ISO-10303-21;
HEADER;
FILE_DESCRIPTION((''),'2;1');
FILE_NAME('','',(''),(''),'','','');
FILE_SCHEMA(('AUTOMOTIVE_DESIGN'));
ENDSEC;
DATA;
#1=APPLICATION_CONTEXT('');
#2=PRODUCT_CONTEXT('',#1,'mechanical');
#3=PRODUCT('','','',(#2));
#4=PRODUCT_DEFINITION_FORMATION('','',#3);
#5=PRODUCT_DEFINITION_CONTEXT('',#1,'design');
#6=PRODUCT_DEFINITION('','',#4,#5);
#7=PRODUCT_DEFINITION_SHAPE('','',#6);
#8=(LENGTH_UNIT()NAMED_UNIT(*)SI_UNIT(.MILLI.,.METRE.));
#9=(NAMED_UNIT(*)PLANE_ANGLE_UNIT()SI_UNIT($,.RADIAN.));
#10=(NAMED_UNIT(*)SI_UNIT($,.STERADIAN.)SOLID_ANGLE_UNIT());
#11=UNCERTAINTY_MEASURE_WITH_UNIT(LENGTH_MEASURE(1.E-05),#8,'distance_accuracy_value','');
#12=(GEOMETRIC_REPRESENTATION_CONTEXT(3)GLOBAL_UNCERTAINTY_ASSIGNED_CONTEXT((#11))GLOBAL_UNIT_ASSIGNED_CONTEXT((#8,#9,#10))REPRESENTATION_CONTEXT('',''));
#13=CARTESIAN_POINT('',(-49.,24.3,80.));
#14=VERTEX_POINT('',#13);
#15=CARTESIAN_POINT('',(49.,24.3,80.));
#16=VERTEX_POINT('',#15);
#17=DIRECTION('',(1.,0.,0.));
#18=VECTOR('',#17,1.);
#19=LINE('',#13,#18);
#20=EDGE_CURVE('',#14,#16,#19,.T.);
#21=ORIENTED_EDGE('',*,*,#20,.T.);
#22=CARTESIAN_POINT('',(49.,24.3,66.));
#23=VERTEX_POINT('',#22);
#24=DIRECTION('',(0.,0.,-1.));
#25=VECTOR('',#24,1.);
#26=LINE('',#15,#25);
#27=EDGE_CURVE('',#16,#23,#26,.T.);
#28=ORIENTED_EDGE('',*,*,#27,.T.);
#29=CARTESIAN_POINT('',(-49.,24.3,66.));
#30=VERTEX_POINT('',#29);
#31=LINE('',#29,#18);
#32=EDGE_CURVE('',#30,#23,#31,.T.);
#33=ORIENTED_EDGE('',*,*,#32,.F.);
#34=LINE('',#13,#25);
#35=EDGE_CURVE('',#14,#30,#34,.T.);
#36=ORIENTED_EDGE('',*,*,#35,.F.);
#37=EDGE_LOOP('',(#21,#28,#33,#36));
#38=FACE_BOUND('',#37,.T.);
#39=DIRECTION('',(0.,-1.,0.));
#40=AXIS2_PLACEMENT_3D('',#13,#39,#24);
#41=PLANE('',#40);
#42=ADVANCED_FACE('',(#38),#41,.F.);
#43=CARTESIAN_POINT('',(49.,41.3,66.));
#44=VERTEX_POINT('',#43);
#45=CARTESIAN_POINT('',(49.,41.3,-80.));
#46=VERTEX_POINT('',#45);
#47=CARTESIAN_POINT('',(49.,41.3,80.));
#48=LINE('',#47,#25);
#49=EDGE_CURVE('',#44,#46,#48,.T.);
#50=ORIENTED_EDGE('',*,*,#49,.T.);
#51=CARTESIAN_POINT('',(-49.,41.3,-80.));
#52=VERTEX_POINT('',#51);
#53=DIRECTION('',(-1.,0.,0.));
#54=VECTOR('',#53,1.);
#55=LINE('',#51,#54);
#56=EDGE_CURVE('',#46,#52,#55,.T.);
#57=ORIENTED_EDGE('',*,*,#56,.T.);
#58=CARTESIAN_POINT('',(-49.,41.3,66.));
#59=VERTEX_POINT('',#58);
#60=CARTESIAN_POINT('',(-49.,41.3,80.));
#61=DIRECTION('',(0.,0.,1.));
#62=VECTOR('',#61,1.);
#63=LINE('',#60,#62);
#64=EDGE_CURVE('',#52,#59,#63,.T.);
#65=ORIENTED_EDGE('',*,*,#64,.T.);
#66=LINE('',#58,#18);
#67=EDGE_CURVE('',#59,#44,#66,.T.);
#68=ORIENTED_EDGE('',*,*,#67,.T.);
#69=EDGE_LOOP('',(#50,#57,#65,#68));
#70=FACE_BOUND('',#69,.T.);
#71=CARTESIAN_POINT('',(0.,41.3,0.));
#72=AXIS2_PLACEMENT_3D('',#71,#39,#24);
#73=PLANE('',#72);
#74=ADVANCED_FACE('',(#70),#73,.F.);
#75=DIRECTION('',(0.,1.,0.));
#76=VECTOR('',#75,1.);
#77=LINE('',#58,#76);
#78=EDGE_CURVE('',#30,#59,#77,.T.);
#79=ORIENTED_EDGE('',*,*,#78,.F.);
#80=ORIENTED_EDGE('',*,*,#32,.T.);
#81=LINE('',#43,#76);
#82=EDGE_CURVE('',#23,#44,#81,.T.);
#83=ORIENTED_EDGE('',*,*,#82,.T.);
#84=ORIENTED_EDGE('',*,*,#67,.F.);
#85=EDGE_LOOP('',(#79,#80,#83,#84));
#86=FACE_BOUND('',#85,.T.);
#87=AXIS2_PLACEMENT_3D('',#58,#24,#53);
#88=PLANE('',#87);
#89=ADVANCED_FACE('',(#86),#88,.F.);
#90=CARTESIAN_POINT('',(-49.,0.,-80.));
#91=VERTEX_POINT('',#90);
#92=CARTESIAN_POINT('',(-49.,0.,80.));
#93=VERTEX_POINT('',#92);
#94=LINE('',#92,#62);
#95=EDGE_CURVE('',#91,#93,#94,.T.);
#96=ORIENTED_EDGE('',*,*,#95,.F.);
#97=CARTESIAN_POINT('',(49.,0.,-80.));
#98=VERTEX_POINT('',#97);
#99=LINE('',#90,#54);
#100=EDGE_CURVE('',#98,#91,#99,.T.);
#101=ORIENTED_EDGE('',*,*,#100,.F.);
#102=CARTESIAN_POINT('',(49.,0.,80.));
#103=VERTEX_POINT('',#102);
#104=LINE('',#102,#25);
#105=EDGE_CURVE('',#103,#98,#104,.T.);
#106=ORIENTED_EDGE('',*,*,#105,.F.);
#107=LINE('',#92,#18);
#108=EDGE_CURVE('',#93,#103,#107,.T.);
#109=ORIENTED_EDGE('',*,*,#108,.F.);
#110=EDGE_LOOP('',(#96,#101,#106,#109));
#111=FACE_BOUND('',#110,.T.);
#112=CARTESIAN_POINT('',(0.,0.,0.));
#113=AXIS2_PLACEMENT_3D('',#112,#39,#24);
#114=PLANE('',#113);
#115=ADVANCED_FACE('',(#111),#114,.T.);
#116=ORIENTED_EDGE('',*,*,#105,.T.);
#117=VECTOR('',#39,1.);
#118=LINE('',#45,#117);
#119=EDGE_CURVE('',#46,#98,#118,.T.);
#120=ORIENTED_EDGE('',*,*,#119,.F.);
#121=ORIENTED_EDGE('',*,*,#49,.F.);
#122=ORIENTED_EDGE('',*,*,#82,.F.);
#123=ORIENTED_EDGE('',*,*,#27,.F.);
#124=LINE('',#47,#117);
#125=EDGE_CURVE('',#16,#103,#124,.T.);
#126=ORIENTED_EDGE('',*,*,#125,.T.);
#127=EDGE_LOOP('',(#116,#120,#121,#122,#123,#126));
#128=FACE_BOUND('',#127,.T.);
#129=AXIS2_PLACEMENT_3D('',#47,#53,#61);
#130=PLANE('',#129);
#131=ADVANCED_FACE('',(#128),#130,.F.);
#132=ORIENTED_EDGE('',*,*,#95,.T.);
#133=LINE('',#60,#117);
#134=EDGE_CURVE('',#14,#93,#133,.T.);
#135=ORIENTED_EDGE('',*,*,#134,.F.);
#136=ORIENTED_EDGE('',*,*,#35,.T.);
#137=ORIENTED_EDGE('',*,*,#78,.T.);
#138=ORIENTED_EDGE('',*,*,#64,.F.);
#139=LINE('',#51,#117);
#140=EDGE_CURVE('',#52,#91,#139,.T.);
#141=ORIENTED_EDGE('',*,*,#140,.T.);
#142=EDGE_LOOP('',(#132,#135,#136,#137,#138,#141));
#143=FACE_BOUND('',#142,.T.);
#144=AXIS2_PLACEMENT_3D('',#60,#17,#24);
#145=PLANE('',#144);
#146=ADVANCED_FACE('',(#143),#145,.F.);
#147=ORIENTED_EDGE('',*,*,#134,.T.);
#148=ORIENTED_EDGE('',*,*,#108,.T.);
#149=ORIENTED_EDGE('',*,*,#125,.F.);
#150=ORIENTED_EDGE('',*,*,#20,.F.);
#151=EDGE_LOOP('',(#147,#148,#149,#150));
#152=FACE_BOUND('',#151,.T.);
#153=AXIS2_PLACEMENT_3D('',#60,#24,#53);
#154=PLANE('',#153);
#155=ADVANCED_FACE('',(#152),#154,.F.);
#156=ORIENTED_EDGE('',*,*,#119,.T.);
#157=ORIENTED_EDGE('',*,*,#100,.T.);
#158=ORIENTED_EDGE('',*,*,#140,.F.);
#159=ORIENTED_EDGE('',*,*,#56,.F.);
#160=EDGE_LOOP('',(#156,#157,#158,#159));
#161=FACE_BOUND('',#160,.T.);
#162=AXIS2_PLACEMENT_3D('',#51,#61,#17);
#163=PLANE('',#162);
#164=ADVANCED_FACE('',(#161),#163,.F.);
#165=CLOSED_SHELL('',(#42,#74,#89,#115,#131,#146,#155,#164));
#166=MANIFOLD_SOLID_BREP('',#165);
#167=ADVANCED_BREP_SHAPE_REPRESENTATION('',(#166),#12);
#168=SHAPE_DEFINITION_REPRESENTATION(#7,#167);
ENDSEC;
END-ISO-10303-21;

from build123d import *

# Parameters (mm, degrees)
ESBO_O1_W                = 98
ESBO_O1_H                = 160
RESSALTO_EXTRUS_O1_DEPTH = 41.3
ESBO_O2_W                = 14
ESBO_O2_H                = 17
CORTE_EXTRUS_O1_DEPTH    = 134.077759224


with BuildPart() as part:
    # Esboço1 → Ressalto-extrusão1 (new body)
    with BuildSketch(Plane(origin=(0, 0, 0), x_dir=(1, 0, 0), z_dir=(0, 1, 0))):
        Rectangle(ESBO_O1_W, ESBO_O1_H)
    extrude(amount=RESSALTO_EXTRUS_O1_DEPTH)

    # Esboço2 → Corte-extrusão1 (cut, through all)
    with BuildSketch(Plane(origin=(49, 0, 0), x_dir=(0, 0, -1), z_dir=(1, 0, 0))):
        with Locations((-73, 32.8)):
            Rectangle(ESBO_O2_W, ESBO_O2_H)
    extrude(amount=-CORTE_EXTRUS_O1_DEPTH, mode=Mode.SUBTRACT)


solid = part.part
